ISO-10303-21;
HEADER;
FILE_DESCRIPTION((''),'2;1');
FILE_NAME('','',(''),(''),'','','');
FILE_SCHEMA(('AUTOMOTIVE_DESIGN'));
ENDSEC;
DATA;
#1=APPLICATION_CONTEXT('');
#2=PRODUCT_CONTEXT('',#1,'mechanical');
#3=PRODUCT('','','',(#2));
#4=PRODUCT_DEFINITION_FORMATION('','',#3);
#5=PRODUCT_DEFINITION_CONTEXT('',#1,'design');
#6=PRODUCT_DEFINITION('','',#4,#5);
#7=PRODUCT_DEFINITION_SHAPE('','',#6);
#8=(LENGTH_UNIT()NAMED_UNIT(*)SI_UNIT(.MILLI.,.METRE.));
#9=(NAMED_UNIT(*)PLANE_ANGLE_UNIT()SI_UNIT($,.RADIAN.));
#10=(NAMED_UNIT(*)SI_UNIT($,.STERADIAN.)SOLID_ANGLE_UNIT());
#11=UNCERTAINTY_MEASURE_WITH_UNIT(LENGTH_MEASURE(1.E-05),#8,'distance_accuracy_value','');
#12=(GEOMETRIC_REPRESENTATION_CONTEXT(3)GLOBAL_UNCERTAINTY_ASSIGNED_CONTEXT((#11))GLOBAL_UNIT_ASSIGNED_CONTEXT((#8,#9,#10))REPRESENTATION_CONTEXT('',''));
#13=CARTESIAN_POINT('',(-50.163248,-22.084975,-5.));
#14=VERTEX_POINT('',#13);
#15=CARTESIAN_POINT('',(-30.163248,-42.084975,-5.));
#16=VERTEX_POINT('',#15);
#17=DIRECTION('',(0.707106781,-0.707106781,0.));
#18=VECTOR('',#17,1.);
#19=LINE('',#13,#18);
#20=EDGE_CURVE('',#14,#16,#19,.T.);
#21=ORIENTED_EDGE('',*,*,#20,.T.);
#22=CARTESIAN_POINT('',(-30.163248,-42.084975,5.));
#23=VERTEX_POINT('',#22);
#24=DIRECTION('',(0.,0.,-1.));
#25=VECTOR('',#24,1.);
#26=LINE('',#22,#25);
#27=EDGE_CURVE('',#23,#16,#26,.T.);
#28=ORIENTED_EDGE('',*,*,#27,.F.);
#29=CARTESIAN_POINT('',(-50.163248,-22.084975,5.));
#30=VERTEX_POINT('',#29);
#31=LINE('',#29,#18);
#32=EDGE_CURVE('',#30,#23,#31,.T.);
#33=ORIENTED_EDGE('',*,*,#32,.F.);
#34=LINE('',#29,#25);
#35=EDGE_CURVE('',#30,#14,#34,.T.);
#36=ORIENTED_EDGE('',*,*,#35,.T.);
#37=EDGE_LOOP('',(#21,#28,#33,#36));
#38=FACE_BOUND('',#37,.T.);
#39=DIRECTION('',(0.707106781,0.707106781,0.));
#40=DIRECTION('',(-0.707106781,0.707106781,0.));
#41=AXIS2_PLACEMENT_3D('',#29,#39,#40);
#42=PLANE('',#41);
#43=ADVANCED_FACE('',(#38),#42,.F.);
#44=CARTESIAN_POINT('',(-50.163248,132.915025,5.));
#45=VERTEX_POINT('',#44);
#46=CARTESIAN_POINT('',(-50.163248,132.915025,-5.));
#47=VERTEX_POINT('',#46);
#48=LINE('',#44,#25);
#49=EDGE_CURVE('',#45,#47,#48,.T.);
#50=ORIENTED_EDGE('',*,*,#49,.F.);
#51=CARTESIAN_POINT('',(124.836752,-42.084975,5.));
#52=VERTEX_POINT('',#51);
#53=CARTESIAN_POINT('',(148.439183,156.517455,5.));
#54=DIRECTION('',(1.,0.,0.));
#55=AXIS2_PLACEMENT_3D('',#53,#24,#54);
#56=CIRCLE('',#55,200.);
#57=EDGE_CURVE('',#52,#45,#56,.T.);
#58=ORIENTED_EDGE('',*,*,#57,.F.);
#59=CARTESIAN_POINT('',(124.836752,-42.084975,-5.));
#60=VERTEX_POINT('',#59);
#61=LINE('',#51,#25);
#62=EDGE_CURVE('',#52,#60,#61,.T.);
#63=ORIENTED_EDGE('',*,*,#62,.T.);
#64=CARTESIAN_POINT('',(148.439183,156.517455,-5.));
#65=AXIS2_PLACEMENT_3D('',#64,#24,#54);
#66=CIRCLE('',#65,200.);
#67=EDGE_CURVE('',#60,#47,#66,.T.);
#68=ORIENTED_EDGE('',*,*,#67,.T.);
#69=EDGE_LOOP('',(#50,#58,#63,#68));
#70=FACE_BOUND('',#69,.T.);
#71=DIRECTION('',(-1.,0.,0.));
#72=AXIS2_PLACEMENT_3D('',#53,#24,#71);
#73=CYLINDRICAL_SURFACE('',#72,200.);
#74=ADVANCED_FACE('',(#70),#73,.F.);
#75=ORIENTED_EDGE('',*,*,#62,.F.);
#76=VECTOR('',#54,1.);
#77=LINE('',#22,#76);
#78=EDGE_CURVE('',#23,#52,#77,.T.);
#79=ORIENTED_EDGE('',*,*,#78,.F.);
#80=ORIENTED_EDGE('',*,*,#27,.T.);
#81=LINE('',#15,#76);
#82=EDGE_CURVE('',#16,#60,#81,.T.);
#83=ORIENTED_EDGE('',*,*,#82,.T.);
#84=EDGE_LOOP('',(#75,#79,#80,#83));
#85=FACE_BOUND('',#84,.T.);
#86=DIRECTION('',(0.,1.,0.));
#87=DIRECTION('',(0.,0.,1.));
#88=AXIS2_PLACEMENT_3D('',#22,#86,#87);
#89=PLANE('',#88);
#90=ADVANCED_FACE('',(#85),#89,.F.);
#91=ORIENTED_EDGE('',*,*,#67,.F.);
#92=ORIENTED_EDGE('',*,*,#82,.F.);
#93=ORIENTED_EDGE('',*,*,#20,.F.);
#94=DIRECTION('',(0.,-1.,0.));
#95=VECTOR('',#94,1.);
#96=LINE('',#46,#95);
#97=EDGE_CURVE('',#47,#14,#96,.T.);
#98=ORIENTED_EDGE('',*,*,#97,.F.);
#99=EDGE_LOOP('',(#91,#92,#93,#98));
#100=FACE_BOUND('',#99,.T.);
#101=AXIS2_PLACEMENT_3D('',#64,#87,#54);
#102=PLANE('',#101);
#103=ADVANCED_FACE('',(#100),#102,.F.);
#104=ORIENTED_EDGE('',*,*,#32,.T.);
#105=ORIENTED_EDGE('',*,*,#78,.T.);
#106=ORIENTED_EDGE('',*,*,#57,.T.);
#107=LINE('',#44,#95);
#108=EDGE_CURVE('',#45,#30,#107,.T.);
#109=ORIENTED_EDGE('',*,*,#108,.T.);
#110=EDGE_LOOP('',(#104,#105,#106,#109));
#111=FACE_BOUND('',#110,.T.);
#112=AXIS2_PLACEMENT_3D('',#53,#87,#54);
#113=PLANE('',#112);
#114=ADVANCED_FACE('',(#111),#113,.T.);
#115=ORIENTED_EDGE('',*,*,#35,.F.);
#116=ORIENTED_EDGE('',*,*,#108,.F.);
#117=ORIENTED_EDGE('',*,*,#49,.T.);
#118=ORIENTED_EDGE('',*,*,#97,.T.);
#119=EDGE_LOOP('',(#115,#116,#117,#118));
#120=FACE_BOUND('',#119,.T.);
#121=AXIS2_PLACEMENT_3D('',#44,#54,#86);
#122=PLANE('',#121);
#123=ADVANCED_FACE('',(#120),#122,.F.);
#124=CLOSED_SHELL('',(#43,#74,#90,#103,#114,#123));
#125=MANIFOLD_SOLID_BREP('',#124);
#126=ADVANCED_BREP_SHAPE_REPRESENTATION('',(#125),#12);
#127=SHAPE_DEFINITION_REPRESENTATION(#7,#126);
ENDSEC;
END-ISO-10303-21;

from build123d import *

# Parameters (mm, degrees)
BOSS_EXTRUDE1_DEPTH = 5


with BuildPart() as part:
    # Sketch1 → Boss-Extrude1 (new, symmetric)
    with BuildSketch(Plane.XY):
        with BuildLine():
            Line((-50.163247668, 132.91502482), (-50.163247668, -22.08497518))
            Line((-50.163247668, -22.08497518), (-30.163247668, -42.08497518))
            Line((-30.163247668, -42.08497518), (124.836752332, -42.08497518))
            ThreePointArc((124.836752332, -42.08497518), (7.017826312, 15.096098799), (-50.163247668, 132.91502482))
        make_face()
    extrude(amount=BOSS_EXTRUDE1_DEPTH, both=True)


solid = part.part
